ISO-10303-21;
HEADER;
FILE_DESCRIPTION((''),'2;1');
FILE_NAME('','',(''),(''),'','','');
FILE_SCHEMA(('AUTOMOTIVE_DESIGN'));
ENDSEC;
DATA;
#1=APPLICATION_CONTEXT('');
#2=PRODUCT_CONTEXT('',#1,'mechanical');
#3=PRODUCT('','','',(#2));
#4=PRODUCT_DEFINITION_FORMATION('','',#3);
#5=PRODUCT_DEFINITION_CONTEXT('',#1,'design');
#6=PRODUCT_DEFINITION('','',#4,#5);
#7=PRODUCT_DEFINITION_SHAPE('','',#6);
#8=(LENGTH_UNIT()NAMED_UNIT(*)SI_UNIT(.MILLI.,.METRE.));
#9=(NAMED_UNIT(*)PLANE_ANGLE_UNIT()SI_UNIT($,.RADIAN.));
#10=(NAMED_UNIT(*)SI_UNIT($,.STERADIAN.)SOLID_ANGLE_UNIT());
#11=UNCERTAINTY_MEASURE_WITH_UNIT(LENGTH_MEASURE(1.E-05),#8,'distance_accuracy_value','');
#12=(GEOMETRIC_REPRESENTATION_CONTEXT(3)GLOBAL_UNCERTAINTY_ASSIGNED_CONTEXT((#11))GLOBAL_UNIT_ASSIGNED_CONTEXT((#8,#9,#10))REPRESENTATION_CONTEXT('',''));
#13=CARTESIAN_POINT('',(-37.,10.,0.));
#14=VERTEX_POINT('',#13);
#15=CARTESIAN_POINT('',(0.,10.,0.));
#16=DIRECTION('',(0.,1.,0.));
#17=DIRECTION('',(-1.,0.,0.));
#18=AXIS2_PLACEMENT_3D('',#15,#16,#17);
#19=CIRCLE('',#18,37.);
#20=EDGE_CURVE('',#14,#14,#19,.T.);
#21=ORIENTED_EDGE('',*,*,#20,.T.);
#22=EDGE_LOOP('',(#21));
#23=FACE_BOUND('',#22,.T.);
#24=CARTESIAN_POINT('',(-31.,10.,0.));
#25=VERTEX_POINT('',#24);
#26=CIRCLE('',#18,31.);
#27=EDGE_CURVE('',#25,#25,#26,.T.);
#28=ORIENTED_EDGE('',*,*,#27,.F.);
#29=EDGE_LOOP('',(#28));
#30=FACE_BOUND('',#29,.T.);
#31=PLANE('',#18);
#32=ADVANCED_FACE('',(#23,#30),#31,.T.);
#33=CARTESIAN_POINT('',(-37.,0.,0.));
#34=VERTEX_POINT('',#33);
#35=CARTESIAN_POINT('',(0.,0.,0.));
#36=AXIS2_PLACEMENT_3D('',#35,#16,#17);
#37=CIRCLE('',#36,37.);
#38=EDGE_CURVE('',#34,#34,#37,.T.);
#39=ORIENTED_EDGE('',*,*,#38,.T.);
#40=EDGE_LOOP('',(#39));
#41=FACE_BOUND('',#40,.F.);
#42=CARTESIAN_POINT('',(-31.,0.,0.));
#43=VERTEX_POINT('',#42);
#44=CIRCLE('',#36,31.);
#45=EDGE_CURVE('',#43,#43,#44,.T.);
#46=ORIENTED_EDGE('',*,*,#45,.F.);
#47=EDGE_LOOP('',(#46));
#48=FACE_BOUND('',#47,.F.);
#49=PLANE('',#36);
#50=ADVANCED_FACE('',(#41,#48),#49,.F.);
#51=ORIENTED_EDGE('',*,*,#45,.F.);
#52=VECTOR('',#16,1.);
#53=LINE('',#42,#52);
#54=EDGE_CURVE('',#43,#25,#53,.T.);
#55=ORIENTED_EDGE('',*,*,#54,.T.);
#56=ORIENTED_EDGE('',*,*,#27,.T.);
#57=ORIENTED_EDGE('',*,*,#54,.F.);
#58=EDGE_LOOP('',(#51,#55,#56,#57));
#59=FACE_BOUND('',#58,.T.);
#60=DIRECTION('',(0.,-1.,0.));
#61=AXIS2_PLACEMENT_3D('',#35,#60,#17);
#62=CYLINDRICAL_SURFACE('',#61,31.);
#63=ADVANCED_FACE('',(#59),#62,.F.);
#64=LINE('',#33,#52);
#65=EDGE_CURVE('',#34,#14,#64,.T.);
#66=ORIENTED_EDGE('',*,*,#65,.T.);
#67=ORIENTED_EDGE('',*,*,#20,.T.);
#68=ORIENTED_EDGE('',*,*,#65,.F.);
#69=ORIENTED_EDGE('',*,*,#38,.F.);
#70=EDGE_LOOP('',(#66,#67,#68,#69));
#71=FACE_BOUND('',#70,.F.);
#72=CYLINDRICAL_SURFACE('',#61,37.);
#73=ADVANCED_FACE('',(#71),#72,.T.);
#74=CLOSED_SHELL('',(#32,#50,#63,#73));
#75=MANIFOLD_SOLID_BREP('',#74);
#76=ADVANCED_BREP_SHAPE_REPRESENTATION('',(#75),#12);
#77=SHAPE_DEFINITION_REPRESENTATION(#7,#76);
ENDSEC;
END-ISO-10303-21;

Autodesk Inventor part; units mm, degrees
ref_plane "YZ Plane" through (0, 0, 0) normal (1, 0, 0) x (0, 1, 0)
ref_plane "XZ Plane" through (0, 0, 0) normal (0, 1, 0) x (-1, 0, 0)
ref_plane "XY Plane" through (0, 0, 0) normal (0, 0, 1) x (1, 0, 0)
sketch "Esquisse1" plane through (0, 0, 0) normal (0, 1, 0) x (-1, 0, 0)
  circle A0 centre (0, 0) radius 37
  circle A1 centre (0, 0) radius 31
  dimension "d0" = 74
  dimension "d1" = 62
extrude "Extrusion1" add sketch "Esquisse1" along normal blind 10
properties part number "Bague-60"
